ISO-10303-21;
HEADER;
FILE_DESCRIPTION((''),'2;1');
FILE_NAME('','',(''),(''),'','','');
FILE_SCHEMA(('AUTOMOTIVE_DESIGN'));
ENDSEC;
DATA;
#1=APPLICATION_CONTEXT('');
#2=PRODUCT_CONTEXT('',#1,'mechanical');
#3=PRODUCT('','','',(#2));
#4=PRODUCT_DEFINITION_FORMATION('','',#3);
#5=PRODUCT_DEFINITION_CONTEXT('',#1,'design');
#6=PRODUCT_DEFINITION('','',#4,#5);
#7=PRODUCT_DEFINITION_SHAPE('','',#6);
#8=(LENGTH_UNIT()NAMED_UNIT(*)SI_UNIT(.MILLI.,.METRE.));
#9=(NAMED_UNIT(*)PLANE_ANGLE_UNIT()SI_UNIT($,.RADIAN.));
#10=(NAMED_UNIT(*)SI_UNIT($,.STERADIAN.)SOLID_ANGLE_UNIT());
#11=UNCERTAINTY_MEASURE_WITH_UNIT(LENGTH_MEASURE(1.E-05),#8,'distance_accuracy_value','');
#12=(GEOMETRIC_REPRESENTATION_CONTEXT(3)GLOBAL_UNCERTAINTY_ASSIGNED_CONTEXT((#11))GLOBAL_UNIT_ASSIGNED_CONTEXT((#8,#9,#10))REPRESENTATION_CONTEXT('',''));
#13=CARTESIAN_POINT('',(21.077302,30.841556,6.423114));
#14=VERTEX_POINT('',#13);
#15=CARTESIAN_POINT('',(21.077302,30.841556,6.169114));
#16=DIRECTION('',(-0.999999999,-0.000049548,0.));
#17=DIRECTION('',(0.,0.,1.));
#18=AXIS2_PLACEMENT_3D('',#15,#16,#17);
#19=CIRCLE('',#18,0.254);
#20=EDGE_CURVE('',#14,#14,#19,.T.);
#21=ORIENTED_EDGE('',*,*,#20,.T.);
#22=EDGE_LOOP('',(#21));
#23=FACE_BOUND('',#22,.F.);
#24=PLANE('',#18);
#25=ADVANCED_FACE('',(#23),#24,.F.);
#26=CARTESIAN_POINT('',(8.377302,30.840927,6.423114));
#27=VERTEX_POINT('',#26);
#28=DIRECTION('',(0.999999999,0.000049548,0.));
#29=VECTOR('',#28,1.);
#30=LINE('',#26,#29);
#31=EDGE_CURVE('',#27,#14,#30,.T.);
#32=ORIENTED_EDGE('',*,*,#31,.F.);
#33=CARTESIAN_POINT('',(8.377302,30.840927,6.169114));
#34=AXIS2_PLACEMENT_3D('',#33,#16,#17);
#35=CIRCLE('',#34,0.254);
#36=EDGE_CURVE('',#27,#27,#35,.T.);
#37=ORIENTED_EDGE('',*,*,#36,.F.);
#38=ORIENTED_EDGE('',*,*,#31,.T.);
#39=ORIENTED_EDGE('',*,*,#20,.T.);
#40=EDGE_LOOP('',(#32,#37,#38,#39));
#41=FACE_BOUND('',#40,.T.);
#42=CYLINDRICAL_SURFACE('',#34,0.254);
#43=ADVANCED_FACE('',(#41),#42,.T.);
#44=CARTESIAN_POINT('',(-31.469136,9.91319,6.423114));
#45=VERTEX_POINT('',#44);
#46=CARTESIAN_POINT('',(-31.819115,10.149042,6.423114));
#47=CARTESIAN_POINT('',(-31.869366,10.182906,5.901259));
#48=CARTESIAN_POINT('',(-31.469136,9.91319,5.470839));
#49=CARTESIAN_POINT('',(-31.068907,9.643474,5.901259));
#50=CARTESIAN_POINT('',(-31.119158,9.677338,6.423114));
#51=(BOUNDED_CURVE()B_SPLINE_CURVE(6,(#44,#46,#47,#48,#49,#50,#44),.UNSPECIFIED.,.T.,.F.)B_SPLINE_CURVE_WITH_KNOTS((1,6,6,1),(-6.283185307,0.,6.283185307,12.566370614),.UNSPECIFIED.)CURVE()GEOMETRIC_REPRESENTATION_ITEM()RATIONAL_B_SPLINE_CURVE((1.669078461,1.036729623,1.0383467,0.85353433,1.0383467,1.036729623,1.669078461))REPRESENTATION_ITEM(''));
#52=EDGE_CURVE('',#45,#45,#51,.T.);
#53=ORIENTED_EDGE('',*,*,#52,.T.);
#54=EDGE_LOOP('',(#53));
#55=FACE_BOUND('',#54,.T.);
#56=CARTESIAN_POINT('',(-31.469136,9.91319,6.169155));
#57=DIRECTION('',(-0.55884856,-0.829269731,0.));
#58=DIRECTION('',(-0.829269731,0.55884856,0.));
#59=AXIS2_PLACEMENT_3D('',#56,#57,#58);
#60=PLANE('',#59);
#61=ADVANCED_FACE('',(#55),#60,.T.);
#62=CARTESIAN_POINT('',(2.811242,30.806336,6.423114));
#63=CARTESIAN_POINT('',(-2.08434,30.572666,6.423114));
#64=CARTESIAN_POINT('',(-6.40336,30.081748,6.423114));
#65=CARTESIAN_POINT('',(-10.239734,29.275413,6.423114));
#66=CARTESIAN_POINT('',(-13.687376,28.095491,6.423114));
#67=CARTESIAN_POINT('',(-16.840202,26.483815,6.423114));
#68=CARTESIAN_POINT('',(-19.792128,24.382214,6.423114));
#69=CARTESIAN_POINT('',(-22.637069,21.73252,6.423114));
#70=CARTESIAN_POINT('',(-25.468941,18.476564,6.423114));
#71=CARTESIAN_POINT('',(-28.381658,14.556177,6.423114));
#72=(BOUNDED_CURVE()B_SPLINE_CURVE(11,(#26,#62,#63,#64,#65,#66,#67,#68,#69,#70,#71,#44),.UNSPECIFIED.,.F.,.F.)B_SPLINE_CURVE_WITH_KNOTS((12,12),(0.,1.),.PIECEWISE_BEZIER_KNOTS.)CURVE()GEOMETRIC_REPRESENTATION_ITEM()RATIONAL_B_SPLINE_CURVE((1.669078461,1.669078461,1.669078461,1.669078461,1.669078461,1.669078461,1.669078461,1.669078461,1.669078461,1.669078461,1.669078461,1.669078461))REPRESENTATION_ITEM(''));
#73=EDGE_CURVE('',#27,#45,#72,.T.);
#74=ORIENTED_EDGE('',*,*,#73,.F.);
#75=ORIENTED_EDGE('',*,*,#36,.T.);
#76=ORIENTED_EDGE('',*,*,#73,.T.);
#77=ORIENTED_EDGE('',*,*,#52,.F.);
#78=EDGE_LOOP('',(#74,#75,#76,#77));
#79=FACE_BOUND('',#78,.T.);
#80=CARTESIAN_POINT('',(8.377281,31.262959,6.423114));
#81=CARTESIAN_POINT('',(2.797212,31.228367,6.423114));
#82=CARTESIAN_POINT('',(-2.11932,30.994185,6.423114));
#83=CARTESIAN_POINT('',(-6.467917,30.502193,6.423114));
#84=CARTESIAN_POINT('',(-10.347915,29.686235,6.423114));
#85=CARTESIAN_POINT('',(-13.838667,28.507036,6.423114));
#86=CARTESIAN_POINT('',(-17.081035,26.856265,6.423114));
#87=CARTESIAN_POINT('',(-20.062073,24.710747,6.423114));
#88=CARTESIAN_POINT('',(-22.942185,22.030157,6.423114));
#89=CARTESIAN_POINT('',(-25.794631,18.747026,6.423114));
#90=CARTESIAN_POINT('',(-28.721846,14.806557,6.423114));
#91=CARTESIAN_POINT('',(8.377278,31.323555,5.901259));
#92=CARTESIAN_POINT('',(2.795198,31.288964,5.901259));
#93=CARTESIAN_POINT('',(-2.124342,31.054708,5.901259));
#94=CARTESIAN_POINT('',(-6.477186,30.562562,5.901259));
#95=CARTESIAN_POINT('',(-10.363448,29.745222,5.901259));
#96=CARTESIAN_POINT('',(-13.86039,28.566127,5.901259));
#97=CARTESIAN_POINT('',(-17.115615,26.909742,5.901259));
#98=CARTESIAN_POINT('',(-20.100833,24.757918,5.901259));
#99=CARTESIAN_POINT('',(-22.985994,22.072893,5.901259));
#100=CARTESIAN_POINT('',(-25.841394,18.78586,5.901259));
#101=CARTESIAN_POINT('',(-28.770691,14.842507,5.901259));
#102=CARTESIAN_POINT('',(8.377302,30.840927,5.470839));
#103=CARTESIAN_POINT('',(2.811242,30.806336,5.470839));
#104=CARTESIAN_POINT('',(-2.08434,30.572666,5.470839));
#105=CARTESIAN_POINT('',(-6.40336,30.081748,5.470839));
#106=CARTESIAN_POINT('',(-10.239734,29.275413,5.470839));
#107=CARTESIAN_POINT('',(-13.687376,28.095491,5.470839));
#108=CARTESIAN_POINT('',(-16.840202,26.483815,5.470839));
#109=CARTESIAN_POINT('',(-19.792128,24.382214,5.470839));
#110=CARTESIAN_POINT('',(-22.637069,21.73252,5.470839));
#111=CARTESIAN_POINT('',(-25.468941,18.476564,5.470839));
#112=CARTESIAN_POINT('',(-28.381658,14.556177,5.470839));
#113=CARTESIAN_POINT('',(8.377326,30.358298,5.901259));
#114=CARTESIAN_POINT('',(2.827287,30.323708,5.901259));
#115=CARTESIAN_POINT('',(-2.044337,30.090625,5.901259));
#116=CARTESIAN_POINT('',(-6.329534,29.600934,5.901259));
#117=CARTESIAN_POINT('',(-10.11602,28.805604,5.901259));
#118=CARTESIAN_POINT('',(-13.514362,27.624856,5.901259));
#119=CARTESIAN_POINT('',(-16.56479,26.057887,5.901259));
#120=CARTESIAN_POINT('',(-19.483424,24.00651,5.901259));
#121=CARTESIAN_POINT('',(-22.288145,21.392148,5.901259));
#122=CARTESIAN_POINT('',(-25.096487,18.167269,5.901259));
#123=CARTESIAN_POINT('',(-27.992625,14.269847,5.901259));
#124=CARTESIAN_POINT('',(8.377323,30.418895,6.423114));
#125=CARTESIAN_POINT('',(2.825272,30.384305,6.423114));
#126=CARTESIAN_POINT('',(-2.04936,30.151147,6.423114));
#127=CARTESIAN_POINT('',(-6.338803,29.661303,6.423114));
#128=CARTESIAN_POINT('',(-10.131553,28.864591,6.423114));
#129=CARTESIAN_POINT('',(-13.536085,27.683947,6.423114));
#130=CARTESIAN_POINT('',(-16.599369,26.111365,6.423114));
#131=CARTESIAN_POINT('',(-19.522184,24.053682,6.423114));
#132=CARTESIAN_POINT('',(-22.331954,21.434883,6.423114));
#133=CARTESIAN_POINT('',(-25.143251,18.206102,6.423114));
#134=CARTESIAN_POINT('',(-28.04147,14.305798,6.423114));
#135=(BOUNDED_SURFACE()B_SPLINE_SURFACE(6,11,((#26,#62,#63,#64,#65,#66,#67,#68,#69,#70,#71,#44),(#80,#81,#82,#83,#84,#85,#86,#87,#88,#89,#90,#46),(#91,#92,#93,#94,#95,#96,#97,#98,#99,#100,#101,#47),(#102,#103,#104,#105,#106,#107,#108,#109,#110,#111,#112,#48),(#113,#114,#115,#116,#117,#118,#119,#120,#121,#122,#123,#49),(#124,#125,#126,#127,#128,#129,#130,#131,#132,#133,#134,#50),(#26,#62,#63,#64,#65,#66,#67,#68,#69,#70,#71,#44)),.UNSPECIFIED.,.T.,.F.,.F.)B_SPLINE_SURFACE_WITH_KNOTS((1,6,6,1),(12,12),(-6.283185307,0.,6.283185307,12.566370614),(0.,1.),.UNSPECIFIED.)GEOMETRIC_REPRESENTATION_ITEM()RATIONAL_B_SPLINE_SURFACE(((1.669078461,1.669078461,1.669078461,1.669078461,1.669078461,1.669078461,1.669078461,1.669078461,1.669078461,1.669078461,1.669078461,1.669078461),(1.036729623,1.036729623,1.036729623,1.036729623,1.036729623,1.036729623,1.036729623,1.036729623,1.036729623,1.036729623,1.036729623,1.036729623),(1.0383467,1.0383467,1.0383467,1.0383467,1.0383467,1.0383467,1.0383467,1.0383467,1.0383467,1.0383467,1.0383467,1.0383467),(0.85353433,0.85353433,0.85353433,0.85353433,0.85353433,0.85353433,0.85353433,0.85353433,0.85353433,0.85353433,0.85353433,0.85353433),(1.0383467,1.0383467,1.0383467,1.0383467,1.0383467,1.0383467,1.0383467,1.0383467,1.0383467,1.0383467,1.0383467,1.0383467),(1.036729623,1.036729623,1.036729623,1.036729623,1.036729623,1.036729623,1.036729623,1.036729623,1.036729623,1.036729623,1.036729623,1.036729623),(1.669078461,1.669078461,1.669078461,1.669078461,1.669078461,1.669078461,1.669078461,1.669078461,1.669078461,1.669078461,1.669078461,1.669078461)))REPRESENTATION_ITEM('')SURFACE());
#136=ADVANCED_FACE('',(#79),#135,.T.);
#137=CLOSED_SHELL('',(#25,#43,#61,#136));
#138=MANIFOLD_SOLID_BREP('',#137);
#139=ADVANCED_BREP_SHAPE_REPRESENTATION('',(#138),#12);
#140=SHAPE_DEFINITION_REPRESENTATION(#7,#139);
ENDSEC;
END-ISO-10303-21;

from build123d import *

# Parameters (mm, degrees)
SKETCH1_R      = 0.254
EXTRUDE1_DEPTH = 12.7
SKETCH3_R      = 0.254


with BuildPart() as part:
    # Sketch1 → Extrude1 (new body)
    with BuildSketch(Plane(origin=(8.378830045, 0.000415154, 0), x_dir=(0, 0, 1), z_dir=(-0.999999999, -4.9548e-05, 0))):
        with Locations((6.169114453, 30.84051151)):
            Circle(SKETCH1_R)
    extrude(amount=-EXTRUDE1_DEPTH)

    # Sweep1: sweep along a path in Sketch4
    with BuildLine(Plane.XY.offset(6.169114453)) as sweep1_path:
        add(Edge.make_bspline(
            [(8.377301959, 30.840926626), (-12.031583431, 30.714094307), (-20.148382532, 26.937476348), (-31.469136273, 9.913190036)],
            knots=[0, 0, 0, 0, 1, 1, 1, 1], degree=3))
    # Sketch3 → Sweep1 (sweep)
    with BuildSketch(Plane(origin=(8.378830045, 0.000415154, 0), x_dir=(0, 0, 1), z_dir=(-0.999999999, -4.9548e-05, 0))):
        with Locations((6.169114453, 30.84051151)):
            Circle(SKETCH3_R)
    sweep(path=sweep1_path.line)


solid = part.part
